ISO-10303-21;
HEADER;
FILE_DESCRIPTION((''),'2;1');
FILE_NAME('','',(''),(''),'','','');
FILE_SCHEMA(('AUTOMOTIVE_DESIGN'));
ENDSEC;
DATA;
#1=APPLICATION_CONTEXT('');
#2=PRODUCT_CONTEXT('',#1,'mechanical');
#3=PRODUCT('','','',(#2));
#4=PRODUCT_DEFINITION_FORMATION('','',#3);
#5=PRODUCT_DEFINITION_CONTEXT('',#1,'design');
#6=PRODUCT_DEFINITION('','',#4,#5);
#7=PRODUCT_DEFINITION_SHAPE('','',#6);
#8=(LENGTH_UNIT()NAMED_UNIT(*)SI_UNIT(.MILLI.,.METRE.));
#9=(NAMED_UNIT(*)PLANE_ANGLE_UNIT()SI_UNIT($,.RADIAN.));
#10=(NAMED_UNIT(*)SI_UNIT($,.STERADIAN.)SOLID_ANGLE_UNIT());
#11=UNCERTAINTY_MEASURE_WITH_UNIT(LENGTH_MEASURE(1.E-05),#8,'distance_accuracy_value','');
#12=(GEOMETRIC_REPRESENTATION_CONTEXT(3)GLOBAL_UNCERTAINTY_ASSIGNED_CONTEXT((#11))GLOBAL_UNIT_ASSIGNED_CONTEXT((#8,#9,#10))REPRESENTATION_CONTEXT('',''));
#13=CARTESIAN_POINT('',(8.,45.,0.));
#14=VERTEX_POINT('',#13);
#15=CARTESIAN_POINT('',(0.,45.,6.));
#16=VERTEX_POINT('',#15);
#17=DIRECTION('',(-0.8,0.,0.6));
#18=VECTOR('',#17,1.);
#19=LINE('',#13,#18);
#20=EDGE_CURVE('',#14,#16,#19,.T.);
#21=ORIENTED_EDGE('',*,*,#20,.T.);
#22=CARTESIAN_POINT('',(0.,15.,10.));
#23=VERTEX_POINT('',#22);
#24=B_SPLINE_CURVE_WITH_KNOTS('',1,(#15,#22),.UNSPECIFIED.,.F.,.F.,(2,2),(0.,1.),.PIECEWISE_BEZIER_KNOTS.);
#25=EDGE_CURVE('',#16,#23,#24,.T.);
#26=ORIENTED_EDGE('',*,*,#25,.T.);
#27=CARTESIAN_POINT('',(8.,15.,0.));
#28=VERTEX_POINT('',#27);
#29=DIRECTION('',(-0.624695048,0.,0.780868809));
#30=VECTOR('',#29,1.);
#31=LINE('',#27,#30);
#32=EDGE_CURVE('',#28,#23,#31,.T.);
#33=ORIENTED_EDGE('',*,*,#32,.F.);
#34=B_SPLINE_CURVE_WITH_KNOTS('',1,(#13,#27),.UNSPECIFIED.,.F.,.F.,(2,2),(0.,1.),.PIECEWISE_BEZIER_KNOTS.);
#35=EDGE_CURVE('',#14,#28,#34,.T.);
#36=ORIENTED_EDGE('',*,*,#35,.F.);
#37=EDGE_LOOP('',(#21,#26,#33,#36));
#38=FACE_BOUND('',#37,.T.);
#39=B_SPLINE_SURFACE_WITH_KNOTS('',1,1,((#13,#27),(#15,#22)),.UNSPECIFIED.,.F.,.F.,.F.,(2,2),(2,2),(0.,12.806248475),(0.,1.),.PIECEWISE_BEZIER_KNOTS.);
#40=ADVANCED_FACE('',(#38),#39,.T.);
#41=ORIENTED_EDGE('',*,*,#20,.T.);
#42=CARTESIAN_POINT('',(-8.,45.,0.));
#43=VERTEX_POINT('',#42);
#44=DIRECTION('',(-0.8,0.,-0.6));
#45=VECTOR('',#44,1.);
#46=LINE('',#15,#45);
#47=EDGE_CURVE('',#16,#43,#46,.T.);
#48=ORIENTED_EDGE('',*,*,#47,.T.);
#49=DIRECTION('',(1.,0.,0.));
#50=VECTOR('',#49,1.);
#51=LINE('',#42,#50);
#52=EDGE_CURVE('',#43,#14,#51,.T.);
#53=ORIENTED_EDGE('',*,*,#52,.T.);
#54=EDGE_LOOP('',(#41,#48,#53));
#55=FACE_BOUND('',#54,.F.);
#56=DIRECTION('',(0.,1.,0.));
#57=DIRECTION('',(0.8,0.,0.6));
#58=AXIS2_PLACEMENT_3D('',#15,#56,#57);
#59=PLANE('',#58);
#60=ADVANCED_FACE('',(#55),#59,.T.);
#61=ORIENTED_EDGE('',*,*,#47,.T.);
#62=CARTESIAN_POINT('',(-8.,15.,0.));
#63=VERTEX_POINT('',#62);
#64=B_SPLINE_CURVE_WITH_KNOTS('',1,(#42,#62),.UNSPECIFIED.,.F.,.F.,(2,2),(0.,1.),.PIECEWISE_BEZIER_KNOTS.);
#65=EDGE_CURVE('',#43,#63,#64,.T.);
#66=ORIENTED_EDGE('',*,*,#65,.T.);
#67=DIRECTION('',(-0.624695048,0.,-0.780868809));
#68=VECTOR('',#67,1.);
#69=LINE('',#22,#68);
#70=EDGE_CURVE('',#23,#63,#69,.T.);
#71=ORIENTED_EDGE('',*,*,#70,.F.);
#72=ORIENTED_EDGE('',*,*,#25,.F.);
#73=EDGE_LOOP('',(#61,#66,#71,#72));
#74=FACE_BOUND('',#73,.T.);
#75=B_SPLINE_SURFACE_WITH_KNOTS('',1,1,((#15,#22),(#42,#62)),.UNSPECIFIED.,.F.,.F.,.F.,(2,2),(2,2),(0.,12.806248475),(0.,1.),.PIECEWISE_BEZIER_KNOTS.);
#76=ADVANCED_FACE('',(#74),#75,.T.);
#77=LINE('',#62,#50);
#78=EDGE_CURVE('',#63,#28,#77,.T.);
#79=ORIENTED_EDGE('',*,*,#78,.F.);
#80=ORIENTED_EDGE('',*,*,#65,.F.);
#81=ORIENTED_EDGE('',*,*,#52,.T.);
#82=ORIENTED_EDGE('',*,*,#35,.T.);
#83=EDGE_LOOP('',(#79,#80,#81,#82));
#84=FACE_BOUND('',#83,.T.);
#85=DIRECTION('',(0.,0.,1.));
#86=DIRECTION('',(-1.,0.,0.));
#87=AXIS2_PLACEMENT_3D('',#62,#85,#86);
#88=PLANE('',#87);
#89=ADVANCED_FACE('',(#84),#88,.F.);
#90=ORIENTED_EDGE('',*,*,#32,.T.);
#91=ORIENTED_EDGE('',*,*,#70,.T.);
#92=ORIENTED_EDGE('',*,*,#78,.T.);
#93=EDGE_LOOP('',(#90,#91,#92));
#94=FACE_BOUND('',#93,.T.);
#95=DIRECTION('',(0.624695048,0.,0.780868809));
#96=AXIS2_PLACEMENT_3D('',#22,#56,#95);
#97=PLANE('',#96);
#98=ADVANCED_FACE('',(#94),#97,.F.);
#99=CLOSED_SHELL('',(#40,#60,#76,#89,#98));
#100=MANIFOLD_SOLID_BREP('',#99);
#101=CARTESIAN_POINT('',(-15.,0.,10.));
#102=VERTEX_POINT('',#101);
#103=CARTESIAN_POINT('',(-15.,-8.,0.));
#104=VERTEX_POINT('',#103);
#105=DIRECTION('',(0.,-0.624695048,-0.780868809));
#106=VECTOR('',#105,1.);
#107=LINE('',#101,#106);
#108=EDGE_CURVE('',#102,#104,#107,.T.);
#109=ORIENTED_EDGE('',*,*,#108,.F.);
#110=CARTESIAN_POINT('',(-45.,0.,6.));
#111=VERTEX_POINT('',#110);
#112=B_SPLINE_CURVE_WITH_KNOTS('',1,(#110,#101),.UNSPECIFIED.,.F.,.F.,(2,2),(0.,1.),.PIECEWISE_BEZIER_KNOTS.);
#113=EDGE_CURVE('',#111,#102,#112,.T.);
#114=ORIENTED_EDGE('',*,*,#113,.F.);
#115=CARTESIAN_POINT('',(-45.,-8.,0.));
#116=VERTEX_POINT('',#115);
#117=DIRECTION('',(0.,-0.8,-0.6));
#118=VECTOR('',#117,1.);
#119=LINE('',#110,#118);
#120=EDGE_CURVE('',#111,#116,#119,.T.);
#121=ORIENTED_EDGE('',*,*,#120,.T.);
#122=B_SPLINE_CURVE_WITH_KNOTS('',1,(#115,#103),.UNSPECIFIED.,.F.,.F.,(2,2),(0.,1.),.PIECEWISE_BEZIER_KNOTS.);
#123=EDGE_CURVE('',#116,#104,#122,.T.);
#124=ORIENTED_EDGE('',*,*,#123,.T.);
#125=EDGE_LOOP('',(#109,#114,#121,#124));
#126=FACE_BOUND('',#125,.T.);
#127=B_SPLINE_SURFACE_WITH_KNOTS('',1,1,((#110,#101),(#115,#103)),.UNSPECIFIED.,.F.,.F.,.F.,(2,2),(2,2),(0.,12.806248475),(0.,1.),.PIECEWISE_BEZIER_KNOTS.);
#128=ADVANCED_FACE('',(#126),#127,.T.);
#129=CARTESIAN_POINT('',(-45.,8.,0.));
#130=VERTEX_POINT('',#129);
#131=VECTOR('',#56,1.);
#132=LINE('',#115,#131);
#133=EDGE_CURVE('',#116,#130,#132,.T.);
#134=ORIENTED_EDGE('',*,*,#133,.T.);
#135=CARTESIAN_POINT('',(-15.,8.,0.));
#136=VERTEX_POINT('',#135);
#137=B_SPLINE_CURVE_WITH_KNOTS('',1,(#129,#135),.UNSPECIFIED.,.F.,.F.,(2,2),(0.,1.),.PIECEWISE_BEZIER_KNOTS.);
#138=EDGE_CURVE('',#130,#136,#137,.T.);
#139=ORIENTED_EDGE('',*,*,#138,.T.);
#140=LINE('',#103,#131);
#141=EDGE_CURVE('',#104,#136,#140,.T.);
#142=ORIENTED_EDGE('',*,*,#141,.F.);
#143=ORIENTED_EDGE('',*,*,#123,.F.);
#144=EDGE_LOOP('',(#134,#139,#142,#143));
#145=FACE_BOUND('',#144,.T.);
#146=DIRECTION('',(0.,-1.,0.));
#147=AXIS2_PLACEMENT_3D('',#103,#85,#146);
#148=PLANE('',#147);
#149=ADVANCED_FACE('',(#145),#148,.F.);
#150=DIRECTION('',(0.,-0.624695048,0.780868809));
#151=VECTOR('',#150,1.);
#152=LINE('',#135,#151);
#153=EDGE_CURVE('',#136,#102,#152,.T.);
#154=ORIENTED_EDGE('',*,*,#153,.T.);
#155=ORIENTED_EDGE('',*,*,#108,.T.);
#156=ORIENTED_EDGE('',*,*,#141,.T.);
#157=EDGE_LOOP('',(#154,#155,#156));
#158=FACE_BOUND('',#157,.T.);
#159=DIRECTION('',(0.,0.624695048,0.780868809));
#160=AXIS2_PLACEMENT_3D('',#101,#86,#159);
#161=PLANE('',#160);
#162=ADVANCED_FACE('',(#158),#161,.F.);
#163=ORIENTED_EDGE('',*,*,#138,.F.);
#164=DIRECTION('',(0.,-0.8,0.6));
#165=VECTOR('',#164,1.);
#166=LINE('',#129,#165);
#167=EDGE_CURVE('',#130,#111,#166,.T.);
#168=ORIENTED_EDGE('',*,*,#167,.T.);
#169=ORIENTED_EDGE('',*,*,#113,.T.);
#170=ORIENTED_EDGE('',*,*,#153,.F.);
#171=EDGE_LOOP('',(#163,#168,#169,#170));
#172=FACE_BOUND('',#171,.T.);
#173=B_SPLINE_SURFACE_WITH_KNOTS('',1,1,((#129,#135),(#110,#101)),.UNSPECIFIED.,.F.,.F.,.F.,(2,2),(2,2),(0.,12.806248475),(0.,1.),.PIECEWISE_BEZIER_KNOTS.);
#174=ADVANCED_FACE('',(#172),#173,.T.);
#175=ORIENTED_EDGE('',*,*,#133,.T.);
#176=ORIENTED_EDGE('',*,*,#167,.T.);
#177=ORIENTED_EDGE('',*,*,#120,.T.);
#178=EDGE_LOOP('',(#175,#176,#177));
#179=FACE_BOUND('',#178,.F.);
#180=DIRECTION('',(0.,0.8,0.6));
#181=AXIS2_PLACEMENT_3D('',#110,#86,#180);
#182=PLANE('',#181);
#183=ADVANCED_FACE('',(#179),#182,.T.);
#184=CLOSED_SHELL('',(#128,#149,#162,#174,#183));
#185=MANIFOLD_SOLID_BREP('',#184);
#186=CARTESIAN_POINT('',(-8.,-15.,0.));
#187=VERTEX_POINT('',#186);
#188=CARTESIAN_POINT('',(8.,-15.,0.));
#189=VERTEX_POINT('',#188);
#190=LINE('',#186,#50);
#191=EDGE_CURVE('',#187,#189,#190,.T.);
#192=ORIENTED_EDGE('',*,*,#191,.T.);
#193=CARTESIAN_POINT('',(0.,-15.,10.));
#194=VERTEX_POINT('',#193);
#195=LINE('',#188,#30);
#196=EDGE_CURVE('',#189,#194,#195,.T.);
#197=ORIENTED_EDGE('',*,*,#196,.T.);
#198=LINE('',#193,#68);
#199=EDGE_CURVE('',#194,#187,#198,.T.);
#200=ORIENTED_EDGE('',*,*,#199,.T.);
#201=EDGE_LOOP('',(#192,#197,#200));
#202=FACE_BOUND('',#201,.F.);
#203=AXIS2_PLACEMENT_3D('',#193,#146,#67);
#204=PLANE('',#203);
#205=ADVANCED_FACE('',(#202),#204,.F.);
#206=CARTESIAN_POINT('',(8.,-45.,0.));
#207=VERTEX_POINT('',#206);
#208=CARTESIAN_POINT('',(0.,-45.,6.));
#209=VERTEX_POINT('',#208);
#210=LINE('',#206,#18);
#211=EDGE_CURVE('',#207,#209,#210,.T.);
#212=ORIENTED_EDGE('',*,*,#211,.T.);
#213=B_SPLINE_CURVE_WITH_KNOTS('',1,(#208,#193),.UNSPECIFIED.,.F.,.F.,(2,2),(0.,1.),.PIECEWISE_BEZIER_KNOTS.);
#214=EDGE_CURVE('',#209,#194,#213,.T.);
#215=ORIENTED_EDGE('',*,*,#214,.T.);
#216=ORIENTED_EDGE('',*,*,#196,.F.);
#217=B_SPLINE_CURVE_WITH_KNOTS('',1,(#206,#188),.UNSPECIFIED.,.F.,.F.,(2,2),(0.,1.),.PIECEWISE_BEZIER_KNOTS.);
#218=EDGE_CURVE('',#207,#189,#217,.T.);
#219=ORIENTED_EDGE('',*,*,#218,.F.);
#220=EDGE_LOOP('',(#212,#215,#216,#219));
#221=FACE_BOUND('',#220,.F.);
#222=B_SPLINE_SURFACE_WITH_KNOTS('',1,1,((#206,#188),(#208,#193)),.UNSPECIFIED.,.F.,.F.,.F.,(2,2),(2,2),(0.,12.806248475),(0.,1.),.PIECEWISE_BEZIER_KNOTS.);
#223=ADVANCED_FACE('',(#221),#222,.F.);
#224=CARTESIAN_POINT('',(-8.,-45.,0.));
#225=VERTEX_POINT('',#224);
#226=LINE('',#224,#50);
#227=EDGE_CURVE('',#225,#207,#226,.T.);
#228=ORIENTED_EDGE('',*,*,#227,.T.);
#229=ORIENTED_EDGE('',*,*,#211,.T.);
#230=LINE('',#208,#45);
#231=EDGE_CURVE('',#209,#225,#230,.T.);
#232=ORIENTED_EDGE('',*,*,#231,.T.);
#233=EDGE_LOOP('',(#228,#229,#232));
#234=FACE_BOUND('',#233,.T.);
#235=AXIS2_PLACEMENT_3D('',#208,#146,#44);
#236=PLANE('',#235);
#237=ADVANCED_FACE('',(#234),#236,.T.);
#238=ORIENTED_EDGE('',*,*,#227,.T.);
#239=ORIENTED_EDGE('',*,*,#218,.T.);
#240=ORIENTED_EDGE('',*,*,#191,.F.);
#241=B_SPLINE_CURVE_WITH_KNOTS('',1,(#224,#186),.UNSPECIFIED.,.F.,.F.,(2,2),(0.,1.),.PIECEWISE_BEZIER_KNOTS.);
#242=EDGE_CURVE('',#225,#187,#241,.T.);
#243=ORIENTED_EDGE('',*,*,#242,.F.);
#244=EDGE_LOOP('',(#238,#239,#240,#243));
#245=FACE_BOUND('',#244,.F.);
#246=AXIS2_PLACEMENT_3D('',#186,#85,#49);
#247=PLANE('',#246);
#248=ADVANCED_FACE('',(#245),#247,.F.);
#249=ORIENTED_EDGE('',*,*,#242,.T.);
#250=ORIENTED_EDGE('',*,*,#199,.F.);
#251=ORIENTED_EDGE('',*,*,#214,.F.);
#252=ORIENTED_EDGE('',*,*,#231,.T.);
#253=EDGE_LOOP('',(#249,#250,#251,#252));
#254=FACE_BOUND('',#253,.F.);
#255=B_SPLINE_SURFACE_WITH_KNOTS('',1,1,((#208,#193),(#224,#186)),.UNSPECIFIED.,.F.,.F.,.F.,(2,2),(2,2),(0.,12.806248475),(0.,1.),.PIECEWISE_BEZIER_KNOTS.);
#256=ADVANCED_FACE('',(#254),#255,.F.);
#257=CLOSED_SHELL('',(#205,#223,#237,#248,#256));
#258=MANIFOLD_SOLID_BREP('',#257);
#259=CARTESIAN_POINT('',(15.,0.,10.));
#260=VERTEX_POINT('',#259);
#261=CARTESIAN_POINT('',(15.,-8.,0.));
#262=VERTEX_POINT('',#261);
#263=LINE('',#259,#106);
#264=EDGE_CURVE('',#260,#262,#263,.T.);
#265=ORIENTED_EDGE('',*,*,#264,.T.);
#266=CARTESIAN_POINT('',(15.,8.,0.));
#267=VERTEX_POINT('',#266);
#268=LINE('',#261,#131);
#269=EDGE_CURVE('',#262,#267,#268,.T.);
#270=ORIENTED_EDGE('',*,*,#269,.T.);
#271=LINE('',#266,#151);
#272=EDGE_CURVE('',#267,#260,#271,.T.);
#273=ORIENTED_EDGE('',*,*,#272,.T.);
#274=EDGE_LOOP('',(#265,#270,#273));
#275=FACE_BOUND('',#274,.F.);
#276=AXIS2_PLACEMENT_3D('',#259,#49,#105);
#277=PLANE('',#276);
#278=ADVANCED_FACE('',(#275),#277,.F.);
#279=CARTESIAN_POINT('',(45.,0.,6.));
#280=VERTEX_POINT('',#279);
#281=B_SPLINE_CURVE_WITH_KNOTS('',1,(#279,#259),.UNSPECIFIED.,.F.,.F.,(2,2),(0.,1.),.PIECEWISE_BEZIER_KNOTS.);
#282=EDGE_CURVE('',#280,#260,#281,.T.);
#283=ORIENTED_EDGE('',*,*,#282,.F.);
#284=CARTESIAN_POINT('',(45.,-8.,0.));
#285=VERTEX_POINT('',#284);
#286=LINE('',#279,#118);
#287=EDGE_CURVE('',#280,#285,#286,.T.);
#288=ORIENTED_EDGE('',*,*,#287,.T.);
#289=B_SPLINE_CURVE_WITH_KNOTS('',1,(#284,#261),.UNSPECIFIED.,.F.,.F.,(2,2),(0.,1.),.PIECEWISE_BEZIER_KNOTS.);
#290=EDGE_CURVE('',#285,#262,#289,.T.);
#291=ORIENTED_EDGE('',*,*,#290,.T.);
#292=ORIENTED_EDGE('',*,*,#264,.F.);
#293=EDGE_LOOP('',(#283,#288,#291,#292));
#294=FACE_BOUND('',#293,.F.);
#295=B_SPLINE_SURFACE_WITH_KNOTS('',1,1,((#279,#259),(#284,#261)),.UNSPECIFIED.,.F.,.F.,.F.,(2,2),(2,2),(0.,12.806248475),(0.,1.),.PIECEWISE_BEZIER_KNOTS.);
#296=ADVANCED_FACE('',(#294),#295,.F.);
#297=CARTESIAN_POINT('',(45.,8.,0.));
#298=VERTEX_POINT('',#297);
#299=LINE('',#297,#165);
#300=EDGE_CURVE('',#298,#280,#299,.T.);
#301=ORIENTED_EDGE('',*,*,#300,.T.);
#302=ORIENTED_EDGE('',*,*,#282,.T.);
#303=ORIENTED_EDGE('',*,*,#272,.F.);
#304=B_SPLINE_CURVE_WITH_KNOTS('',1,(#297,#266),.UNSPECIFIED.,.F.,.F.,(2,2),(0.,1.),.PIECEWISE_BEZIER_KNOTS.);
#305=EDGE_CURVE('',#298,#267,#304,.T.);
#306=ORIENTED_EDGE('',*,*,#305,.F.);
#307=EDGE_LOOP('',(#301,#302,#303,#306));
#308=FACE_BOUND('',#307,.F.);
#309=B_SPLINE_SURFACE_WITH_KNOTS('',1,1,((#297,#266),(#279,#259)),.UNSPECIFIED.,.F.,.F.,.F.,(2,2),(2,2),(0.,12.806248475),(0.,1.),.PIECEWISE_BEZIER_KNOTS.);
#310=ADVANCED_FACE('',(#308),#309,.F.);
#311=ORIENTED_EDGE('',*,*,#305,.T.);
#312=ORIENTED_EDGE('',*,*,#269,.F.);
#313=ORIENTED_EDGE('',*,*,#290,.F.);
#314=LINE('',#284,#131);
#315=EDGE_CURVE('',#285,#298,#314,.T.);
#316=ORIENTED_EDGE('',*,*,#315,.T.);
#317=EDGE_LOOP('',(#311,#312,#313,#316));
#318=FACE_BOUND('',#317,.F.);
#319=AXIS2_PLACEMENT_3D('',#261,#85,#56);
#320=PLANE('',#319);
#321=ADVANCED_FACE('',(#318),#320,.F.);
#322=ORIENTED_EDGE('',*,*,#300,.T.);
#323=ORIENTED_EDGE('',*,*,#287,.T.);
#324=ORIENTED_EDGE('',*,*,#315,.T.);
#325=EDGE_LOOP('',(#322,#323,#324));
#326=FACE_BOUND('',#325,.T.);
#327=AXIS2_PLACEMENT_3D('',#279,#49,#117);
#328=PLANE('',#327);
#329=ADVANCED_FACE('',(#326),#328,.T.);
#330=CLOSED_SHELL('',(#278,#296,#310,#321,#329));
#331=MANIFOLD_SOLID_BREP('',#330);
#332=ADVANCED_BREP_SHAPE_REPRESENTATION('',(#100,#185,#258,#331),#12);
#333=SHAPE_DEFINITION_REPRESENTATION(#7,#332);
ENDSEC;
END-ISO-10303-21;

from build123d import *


with BuildPart() as f4:
    # F1 (on offset) → F4 section 0
    with BuildSketch(Plane.XZ.offset(45)):
        Polygon((0, 6), (-8, 0), (8, 0), align=None)
    # F3 (on offset) → F4 section 1
    with BuildSketch(Plane.XZ.offset(15)):
        Polygon((0, 10), (-8, 0), (8, 0), align=None)
    loft()


with BuildPart() as f5_1:
    # F5: instance of F4
    add(f4.part.mirror(Plane.XZ))


with BuildPart() as f8_1:
    # F8: instance of F4
    add(f4.part.mirror(Plane(origin=(0, 0, 0), x_dir=(-0.7071067812, -0.7071067812, 0), z_dir=(-0.7071067812, 0.7071067812, 0))))


with BuildPart() as f8_2:
    # F8: instance of F5_1
    add(f5_1.part.mirror(Plane(origin=(0, 0, 0), x_dir=(-0.7071067812, -0.7071067812, 0), z_dir=(-0.7071067812, 0.7071067812, 0))))


solid = Compound([f4.part, f5_1.part, f8_1.part, f8_2.part])
